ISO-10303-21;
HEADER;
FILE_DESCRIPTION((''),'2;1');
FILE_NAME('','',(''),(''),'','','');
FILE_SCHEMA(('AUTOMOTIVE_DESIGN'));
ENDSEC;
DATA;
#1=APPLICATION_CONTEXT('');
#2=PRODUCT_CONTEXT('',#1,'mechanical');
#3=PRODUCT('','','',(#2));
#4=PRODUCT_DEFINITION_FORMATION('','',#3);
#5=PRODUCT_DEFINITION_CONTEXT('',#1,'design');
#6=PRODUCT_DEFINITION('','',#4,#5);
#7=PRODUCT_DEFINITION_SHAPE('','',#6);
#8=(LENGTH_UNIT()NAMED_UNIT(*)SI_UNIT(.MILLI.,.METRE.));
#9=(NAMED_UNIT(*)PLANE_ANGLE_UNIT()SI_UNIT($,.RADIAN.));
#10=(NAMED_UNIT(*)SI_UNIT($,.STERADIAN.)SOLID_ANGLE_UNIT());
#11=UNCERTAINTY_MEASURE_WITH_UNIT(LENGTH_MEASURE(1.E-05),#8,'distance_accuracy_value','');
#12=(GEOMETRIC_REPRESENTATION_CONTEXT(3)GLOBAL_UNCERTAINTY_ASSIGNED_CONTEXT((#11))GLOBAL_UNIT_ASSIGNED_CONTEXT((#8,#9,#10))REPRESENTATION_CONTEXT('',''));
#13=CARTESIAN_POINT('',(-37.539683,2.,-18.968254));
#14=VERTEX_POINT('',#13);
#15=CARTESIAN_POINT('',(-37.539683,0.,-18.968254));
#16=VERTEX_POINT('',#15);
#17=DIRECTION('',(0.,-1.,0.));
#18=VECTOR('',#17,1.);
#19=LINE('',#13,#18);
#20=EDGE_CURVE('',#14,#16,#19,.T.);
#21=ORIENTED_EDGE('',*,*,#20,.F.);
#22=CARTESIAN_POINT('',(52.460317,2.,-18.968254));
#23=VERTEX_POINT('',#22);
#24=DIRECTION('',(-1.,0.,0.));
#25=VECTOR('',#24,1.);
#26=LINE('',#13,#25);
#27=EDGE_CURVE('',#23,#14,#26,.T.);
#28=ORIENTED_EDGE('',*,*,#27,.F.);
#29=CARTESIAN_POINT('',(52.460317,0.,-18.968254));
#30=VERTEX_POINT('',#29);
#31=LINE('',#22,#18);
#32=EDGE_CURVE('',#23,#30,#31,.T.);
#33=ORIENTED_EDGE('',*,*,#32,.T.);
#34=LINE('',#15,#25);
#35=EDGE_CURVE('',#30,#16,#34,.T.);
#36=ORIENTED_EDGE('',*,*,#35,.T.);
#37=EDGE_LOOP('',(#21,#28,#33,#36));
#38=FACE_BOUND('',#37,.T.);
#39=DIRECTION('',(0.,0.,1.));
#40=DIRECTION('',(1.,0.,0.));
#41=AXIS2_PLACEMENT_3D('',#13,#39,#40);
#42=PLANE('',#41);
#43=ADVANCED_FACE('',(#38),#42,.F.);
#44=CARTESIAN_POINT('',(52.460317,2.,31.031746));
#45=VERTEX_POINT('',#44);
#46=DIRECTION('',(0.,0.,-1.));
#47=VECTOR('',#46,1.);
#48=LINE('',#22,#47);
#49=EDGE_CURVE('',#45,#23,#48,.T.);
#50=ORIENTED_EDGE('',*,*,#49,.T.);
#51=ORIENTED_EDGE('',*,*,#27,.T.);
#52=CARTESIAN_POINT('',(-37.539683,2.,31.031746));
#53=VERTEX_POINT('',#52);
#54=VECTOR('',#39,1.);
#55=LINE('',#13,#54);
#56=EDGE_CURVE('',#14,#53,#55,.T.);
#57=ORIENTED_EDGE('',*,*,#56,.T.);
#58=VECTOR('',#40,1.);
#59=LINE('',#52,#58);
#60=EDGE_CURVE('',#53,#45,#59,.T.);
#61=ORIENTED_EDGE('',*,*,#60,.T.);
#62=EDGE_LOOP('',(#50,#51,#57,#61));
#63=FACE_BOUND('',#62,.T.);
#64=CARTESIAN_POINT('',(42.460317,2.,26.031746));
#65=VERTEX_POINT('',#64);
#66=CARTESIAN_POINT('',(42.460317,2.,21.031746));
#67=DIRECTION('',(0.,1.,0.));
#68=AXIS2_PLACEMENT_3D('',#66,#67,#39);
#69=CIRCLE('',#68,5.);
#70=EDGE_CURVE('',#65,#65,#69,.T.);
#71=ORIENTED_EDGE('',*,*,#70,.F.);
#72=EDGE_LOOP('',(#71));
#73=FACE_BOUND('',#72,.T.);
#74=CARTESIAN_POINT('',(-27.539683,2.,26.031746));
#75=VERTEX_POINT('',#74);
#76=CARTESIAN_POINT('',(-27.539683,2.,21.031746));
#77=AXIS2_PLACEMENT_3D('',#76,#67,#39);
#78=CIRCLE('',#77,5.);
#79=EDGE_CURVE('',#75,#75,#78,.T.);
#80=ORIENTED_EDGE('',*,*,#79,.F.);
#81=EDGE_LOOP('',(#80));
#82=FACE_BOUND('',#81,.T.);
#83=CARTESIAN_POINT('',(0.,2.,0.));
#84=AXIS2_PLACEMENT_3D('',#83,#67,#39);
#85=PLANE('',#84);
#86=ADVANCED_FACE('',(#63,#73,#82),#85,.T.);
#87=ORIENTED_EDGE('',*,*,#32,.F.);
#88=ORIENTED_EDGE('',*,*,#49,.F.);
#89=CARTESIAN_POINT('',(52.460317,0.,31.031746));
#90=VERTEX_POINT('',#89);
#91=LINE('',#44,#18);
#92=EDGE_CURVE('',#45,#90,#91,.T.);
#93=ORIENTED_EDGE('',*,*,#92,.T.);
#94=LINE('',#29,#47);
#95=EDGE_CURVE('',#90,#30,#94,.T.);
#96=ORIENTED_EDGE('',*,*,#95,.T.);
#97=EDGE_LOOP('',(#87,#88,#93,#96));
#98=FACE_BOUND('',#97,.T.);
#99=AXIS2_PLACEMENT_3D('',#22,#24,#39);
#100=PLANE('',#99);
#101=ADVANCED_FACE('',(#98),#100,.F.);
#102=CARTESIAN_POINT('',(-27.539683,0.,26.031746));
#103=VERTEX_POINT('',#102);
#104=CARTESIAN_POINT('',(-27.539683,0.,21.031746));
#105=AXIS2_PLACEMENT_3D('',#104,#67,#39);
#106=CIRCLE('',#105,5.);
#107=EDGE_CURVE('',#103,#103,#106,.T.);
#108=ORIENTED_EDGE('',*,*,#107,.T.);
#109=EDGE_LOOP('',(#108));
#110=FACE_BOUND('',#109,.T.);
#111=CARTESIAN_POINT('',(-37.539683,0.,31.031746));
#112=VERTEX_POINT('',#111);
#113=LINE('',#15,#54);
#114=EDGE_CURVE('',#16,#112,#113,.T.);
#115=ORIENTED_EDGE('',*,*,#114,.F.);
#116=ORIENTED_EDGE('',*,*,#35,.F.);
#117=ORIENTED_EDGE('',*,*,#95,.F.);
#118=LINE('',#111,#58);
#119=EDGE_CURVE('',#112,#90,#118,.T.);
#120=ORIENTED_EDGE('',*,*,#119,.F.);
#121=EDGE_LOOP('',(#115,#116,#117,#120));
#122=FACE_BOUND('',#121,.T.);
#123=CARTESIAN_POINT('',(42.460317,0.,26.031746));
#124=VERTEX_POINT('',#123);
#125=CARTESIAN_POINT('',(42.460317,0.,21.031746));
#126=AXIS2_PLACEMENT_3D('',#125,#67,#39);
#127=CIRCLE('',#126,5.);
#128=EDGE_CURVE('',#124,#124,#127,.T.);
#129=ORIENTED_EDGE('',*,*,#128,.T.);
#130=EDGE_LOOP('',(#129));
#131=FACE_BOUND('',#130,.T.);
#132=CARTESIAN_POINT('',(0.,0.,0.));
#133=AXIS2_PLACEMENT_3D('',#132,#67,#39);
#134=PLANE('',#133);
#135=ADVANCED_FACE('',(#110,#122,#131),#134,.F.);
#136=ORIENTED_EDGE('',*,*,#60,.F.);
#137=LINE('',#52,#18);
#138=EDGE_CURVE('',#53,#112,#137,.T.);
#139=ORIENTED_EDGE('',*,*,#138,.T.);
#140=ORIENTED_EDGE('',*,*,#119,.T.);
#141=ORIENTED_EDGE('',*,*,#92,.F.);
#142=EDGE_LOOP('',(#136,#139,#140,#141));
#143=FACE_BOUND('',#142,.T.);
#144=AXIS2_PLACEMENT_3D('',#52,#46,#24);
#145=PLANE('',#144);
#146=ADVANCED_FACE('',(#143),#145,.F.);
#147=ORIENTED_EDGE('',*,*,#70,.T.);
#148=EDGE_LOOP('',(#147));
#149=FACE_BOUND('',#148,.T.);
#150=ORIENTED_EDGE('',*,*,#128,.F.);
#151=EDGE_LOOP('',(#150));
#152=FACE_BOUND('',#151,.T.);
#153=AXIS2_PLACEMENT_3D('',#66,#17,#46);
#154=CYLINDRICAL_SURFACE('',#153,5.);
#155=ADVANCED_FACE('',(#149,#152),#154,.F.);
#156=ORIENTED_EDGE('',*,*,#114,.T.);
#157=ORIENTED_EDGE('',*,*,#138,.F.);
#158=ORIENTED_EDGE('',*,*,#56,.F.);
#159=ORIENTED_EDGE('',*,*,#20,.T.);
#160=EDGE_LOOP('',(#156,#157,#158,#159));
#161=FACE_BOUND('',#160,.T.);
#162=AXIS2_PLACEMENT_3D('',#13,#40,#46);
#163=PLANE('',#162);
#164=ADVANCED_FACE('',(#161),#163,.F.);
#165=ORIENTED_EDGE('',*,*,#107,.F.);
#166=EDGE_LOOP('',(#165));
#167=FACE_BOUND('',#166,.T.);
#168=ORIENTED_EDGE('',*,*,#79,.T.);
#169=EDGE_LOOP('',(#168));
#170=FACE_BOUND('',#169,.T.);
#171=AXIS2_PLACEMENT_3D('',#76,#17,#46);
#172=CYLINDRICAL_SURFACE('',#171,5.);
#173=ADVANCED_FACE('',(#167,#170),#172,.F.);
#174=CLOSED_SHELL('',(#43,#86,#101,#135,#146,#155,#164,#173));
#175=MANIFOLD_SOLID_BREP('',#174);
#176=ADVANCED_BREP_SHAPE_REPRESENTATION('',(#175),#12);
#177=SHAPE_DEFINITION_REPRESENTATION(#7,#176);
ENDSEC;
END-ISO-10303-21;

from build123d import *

# Parameters (mm, degrees)
SKETCH1_W           = 90
SKETCH1_H           = 50
SKETCH1_R           = 5
BOSS_EXTRUDE1_DEPTH = 2


with BuildPart() as part:
    # Sketch1 → Boss-Extrude1 (new body)
    with BuildSketch(Plane(origin=(0, 0, 0), x_dir=(1, 0, 0), z_dir=(0, 1, 0))):
        with Locations((7.46031746, -6.031746032)):
            Rectangle(SKETCH1_W, SKETCH1_H)
        with Locations((-27.53968254, -21.031746032)):
            Circle(SKETCH1_R, mode=Mode.SUBTRACT)
        with Locations((42.46031746, -21.031746032)):
            Circle(SKETCH1_R, mode=Mode.SUBTRACT)
    extrude(amount=BOSS_EXTRUDE1_DEPTH)


solid = part.part
